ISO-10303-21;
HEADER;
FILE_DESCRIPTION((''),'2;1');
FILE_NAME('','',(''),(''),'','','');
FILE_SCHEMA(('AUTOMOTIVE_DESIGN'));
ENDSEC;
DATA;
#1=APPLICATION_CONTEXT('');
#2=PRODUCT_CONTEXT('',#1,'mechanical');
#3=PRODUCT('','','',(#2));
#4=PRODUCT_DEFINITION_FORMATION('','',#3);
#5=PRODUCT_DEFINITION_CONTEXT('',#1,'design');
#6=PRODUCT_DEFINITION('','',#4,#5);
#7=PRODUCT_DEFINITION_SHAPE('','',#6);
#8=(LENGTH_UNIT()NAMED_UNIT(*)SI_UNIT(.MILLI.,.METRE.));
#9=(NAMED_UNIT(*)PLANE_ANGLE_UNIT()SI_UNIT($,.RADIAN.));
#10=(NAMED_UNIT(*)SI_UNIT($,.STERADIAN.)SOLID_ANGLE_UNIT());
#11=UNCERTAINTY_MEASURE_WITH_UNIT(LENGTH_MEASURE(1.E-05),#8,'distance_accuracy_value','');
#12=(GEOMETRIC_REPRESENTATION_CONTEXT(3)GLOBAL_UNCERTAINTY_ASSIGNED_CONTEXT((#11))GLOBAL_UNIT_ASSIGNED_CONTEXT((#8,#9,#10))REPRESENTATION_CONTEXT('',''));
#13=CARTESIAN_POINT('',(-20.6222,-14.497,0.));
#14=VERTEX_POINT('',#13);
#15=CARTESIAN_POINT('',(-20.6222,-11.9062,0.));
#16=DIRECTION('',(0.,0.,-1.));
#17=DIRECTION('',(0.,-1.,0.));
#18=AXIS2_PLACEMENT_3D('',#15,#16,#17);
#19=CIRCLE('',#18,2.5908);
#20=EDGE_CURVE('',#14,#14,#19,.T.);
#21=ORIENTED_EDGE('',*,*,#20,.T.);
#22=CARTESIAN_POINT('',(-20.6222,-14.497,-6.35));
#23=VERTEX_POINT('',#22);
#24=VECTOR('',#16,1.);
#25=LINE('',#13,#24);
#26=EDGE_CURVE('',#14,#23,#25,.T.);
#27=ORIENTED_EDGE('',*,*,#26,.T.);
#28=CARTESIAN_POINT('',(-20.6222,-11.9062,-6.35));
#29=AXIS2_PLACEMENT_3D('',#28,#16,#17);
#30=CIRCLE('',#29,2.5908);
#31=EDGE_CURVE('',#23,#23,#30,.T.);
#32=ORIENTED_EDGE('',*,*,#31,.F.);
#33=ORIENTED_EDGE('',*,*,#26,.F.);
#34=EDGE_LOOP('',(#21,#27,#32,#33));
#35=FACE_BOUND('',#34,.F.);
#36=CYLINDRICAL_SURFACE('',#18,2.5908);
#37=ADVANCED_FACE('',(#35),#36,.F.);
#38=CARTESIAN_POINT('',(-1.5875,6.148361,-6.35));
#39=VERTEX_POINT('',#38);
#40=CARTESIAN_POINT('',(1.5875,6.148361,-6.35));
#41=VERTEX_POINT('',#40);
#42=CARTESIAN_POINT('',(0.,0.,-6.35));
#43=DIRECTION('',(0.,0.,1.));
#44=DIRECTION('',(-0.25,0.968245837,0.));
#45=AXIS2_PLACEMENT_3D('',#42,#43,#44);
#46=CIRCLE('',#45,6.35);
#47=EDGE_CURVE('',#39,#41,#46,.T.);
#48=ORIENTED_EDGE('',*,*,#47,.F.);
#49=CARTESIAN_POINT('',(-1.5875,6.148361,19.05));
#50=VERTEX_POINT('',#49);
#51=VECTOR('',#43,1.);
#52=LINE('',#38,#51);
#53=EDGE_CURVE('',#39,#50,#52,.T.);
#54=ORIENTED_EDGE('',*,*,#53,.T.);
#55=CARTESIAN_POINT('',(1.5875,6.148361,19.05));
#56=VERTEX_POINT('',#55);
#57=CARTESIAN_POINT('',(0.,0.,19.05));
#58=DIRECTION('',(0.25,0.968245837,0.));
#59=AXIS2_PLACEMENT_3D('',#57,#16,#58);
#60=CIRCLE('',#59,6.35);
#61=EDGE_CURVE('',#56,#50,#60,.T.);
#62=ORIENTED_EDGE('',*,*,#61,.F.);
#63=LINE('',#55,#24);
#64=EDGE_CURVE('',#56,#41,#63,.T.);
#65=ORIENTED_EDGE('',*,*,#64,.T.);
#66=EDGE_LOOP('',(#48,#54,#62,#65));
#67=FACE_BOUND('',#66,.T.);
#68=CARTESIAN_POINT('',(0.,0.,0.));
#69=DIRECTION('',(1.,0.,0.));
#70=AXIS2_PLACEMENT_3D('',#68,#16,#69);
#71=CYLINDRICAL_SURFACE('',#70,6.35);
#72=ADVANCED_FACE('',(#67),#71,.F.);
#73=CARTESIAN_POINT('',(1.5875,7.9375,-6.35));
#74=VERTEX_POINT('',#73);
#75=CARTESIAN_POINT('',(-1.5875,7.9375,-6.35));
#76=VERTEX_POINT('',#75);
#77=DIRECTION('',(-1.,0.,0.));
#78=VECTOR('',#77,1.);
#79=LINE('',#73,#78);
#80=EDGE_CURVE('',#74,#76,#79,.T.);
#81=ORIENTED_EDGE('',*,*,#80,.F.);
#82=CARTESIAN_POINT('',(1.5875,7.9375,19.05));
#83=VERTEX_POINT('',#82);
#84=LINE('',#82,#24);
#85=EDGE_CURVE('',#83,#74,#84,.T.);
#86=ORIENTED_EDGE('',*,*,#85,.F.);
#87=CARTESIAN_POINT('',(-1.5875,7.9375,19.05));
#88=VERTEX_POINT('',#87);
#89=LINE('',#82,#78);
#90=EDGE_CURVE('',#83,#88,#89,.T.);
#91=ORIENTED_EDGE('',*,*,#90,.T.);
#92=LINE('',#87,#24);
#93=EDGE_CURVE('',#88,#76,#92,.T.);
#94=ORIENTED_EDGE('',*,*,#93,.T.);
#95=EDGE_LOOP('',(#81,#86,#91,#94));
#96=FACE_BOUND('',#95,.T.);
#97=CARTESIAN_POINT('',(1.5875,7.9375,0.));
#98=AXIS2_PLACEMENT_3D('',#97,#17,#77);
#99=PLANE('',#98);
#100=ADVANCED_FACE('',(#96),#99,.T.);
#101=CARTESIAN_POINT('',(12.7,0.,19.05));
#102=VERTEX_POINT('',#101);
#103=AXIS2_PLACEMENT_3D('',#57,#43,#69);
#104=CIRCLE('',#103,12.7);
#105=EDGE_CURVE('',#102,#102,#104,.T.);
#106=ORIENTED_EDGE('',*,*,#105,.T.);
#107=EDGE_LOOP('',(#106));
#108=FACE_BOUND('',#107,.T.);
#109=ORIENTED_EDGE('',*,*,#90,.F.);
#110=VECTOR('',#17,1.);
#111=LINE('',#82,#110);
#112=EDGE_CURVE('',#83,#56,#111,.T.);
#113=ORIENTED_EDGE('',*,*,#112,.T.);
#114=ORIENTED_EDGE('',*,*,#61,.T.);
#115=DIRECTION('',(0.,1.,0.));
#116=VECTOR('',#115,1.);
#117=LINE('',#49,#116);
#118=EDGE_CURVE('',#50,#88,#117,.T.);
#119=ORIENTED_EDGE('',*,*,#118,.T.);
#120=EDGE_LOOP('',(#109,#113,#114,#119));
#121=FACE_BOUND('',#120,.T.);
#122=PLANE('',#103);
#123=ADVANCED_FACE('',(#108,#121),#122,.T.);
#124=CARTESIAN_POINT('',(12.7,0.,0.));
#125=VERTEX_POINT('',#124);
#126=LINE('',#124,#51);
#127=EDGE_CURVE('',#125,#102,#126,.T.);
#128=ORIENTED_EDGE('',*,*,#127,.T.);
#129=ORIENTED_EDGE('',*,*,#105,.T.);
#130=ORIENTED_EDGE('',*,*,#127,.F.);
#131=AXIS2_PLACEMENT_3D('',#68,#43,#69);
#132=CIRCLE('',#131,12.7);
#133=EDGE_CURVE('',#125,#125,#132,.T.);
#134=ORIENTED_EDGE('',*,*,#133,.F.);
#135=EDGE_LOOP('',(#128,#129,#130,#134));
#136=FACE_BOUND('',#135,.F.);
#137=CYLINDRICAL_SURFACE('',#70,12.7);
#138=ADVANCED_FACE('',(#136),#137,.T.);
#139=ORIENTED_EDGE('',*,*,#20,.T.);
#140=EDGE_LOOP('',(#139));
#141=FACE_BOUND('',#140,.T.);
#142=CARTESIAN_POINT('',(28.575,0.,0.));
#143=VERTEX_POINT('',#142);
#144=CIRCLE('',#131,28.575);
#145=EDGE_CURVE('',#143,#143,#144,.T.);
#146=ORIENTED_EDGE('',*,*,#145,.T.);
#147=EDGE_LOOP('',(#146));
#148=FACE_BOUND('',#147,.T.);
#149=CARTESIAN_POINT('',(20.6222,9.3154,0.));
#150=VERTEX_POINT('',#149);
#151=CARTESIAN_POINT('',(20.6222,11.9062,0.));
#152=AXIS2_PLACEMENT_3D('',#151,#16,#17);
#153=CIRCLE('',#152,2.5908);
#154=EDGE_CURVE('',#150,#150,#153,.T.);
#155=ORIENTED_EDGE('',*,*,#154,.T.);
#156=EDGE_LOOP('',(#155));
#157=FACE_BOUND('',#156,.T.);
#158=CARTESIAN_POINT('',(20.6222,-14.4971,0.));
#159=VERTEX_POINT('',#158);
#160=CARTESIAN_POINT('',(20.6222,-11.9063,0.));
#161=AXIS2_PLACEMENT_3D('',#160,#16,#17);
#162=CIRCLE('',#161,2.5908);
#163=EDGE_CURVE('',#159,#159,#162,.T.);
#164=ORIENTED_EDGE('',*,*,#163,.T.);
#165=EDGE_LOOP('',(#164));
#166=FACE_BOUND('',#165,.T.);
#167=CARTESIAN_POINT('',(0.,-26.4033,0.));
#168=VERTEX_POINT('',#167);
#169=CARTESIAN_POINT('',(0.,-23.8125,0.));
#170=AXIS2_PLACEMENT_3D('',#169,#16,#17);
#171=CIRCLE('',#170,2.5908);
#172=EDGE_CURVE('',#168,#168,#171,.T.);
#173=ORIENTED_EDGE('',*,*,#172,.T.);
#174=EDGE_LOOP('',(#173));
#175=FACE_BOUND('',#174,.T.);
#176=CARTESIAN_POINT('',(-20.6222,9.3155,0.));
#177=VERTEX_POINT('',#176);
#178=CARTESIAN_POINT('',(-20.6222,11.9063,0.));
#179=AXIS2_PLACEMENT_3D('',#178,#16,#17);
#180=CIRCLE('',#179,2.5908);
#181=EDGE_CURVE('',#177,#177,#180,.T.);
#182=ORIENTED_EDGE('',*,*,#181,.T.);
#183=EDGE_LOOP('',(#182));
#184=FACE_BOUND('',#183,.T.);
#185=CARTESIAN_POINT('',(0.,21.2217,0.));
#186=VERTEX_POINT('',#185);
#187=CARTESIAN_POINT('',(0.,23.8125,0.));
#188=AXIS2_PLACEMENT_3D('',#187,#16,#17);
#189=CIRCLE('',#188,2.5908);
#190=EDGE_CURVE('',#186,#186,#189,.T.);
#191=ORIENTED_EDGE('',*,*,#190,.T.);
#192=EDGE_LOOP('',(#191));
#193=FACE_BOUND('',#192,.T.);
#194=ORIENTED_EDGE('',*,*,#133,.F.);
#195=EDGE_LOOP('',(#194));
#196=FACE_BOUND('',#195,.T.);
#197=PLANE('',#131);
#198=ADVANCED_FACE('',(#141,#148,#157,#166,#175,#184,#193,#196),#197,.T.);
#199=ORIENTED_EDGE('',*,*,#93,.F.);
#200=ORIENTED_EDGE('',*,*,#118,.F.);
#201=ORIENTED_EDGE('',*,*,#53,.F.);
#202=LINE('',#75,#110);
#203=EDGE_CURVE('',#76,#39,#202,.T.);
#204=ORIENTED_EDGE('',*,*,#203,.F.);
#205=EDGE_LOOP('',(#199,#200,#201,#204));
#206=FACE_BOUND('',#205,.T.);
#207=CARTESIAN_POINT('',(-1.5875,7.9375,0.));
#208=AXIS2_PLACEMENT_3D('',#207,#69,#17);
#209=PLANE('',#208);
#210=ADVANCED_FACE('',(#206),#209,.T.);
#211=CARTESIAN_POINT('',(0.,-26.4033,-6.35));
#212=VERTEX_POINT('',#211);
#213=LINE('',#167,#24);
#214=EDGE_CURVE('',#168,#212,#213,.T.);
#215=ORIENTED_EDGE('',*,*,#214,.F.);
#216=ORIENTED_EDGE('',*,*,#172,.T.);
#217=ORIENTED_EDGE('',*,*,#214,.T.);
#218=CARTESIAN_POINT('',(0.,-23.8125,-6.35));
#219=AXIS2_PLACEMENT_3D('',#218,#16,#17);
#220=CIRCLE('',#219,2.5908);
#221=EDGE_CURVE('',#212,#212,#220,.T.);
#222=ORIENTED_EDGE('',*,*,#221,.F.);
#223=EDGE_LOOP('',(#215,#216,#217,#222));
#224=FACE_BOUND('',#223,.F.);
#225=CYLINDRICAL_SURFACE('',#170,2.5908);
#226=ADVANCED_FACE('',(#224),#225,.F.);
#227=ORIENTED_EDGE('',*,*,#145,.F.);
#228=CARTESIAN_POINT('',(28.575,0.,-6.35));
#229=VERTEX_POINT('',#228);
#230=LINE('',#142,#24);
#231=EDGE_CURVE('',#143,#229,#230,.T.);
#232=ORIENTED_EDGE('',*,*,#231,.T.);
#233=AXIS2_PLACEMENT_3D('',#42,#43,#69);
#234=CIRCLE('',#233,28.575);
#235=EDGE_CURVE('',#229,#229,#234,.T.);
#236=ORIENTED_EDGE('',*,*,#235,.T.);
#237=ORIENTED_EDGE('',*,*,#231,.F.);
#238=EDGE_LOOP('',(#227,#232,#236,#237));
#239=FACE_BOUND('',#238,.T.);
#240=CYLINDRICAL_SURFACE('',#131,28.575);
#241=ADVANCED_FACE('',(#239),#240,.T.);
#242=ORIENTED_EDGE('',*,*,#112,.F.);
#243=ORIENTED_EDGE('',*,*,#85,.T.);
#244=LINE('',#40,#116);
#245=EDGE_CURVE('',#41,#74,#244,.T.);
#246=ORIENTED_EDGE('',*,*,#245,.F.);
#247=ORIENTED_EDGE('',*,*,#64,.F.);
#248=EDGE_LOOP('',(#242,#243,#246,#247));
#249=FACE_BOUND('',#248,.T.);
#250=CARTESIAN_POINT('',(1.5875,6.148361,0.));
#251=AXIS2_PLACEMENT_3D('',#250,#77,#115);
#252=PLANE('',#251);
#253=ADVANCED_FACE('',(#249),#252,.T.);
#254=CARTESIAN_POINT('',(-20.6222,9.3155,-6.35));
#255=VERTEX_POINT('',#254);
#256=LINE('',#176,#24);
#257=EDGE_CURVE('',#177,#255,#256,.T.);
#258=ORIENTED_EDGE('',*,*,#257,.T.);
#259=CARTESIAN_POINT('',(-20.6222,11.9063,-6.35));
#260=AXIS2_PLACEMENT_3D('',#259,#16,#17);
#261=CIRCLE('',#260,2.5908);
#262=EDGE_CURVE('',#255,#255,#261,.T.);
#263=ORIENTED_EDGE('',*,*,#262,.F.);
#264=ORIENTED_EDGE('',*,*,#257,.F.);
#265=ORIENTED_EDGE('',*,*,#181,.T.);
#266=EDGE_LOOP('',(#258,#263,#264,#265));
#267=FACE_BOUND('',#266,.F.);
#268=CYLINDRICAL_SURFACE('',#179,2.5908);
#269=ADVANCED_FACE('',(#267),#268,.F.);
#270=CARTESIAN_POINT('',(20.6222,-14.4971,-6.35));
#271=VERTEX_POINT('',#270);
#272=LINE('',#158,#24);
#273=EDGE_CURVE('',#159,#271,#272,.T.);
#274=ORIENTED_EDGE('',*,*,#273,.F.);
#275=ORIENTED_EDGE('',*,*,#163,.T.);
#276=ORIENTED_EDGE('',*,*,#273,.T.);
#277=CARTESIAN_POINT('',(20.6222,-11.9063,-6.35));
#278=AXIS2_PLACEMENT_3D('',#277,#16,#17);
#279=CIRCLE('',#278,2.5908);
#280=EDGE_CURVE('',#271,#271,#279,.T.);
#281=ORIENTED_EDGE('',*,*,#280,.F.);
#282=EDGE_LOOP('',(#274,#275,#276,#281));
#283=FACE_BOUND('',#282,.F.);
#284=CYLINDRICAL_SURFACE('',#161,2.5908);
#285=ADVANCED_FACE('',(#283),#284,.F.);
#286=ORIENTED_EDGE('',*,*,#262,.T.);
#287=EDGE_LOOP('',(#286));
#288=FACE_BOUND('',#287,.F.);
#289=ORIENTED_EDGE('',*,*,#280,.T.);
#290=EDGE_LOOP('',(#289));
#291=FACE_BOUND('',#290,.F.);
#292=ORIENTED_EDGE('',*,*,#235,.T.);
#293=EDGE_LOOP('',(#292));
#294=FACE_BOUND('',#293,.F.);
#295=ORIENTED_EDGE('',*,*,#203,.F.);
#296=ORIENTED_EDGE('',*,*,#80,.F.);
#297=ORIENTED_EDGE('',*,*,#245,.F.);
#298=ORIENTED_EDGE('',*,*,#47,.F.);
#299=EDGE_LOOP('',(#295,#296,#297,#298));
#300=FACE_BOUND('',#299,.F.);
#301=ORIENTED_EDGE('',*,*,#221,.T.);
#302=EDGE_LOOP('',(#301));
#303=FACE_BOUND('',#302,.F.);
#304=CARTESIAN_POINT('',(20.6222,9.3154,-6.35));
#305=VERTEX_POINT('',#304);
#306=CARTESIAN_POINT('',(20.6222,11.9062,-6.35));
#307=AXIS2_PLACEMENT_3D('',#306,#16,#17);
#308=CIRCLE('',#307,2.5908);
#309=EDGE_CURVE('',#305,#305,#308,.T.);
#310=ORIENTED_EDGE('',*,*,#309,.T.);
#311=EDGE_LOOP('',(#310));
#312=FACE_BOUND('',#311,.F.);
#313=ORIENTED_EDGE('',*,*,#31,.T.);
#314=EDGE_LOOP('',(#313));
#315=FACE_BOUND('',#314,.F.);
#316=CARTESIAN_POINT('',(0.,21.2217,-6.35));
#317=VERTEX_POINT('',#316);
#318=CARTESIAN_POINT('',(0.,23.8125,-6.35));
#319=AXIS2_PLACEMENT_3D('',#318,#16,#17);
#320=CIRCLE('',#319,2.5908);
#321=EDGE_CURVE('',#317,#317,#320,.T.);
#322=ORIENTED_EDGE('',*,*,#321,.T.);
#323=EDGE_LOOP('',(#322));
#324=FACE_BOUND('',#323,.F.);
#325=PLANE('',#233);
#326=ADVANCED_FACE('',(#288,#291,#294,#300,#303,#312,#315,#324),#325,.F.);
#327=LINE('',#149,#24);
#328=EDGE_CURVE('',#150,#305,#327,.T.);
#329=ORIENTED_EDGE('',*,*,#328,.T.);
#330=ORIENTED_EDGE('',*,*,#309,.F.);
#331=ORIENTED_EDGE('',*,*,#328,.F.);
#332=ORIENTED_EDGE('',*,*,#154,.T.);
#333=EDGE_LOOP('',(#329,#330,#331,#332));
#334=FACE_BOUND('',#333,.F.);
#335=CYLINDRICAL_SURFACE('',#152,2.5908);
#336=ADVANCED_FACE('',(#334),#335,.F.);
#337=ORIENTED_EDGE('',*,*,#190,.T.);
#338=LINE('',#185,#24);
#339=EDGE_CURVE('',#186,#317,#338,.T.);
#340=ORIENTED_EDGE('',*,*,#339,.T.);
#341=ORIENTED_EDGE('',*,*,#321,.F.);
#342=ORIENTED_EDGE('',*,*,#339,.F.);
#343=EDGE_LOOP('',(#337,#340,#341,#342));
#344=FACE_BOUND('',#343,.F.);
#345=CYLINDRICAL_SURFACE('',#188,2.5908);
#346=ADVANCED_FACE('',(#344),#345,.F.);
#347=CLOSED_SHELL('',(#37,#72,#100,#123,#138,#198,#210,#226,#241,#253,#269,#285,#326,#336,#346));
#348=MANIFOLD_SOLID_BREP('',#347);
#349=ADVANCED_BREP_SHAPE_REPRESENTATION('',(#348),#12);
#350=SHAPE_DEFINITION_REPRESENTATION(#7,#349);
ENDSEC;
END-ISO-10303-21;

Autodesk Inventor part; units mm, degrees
ref_plane "YZ Plane" through (0, 0, 0) normal (1, 0, 0) x (0, 1, 0)
ref_plane "XZ Plane" through (0, 0, 0) normal (0, 1, 0) x (-1, 0, 0)
ref_plane "XY Plane" through (0, 0, 0) normal (0, 0, 1) x (1, 0, 0)
sketch "Sketch1" plane through (0, 0, 0) normal (0, 0, 1) x (1, 0, 0)
  circle A0 centre (0, 0) radius 28.575
  circle A1 centre (0, 0) radius 6.35
  line L0 (-1.5875, 4.7625) -> (1.5875, 4.7625)
  line L1 (1.5875, 4.7625) -> (1.5875, 7.9375)
  line L2 (1.5875, 7.9375) -> (-1.5875, 7.9375)
  line L3 (-1.5875, 7.9375) -> (-1.5875, 4.7625)
  line L4 (1.5875, 6.35) -> (-1.5875, 6.35)
  circle A2 centre (0, 0) radius 12.7
  point P0 (0, 4.7625)
  point P1 (0, 23.8125)
  point P2 (-20.6222, 11.9063)
  point P3 (-20.6222, -11.9062)
  point P4 (0, -23.8125)
  point P5 (20.6222, -11.9063)
  point P6 (20.6222, 11.9062)
  dimension "d0" = 57.15
  dimension "d1" = 12.7
  dimension "d2" = 3.175
  dimension "d3" = 3.175
  dimension "d6" = 360
  dimension "d8" = 23.8125
  dimension "d9" = 25.4
extrude "Extrusion1" add sketch "Sketch1" against normal blind 6.35 contours A0 | A2
extrude "Extrusion2" add sketch "Sketch1" along normal blind 19.05 contours A2
hole "Hole1" at (0, 23.8125, 0) at (-20.6222, 11.9063, 0) at (-20.6222, -11.9062, 0) at (0, -23.8125, 0) at (20.6222, -11.9063, 0) at (20.6222, 11.9062, 0) direction (0, 0, -1) diameter 5.1816 depth 25.4 tip angle 118
properties part number "wheel hub"
